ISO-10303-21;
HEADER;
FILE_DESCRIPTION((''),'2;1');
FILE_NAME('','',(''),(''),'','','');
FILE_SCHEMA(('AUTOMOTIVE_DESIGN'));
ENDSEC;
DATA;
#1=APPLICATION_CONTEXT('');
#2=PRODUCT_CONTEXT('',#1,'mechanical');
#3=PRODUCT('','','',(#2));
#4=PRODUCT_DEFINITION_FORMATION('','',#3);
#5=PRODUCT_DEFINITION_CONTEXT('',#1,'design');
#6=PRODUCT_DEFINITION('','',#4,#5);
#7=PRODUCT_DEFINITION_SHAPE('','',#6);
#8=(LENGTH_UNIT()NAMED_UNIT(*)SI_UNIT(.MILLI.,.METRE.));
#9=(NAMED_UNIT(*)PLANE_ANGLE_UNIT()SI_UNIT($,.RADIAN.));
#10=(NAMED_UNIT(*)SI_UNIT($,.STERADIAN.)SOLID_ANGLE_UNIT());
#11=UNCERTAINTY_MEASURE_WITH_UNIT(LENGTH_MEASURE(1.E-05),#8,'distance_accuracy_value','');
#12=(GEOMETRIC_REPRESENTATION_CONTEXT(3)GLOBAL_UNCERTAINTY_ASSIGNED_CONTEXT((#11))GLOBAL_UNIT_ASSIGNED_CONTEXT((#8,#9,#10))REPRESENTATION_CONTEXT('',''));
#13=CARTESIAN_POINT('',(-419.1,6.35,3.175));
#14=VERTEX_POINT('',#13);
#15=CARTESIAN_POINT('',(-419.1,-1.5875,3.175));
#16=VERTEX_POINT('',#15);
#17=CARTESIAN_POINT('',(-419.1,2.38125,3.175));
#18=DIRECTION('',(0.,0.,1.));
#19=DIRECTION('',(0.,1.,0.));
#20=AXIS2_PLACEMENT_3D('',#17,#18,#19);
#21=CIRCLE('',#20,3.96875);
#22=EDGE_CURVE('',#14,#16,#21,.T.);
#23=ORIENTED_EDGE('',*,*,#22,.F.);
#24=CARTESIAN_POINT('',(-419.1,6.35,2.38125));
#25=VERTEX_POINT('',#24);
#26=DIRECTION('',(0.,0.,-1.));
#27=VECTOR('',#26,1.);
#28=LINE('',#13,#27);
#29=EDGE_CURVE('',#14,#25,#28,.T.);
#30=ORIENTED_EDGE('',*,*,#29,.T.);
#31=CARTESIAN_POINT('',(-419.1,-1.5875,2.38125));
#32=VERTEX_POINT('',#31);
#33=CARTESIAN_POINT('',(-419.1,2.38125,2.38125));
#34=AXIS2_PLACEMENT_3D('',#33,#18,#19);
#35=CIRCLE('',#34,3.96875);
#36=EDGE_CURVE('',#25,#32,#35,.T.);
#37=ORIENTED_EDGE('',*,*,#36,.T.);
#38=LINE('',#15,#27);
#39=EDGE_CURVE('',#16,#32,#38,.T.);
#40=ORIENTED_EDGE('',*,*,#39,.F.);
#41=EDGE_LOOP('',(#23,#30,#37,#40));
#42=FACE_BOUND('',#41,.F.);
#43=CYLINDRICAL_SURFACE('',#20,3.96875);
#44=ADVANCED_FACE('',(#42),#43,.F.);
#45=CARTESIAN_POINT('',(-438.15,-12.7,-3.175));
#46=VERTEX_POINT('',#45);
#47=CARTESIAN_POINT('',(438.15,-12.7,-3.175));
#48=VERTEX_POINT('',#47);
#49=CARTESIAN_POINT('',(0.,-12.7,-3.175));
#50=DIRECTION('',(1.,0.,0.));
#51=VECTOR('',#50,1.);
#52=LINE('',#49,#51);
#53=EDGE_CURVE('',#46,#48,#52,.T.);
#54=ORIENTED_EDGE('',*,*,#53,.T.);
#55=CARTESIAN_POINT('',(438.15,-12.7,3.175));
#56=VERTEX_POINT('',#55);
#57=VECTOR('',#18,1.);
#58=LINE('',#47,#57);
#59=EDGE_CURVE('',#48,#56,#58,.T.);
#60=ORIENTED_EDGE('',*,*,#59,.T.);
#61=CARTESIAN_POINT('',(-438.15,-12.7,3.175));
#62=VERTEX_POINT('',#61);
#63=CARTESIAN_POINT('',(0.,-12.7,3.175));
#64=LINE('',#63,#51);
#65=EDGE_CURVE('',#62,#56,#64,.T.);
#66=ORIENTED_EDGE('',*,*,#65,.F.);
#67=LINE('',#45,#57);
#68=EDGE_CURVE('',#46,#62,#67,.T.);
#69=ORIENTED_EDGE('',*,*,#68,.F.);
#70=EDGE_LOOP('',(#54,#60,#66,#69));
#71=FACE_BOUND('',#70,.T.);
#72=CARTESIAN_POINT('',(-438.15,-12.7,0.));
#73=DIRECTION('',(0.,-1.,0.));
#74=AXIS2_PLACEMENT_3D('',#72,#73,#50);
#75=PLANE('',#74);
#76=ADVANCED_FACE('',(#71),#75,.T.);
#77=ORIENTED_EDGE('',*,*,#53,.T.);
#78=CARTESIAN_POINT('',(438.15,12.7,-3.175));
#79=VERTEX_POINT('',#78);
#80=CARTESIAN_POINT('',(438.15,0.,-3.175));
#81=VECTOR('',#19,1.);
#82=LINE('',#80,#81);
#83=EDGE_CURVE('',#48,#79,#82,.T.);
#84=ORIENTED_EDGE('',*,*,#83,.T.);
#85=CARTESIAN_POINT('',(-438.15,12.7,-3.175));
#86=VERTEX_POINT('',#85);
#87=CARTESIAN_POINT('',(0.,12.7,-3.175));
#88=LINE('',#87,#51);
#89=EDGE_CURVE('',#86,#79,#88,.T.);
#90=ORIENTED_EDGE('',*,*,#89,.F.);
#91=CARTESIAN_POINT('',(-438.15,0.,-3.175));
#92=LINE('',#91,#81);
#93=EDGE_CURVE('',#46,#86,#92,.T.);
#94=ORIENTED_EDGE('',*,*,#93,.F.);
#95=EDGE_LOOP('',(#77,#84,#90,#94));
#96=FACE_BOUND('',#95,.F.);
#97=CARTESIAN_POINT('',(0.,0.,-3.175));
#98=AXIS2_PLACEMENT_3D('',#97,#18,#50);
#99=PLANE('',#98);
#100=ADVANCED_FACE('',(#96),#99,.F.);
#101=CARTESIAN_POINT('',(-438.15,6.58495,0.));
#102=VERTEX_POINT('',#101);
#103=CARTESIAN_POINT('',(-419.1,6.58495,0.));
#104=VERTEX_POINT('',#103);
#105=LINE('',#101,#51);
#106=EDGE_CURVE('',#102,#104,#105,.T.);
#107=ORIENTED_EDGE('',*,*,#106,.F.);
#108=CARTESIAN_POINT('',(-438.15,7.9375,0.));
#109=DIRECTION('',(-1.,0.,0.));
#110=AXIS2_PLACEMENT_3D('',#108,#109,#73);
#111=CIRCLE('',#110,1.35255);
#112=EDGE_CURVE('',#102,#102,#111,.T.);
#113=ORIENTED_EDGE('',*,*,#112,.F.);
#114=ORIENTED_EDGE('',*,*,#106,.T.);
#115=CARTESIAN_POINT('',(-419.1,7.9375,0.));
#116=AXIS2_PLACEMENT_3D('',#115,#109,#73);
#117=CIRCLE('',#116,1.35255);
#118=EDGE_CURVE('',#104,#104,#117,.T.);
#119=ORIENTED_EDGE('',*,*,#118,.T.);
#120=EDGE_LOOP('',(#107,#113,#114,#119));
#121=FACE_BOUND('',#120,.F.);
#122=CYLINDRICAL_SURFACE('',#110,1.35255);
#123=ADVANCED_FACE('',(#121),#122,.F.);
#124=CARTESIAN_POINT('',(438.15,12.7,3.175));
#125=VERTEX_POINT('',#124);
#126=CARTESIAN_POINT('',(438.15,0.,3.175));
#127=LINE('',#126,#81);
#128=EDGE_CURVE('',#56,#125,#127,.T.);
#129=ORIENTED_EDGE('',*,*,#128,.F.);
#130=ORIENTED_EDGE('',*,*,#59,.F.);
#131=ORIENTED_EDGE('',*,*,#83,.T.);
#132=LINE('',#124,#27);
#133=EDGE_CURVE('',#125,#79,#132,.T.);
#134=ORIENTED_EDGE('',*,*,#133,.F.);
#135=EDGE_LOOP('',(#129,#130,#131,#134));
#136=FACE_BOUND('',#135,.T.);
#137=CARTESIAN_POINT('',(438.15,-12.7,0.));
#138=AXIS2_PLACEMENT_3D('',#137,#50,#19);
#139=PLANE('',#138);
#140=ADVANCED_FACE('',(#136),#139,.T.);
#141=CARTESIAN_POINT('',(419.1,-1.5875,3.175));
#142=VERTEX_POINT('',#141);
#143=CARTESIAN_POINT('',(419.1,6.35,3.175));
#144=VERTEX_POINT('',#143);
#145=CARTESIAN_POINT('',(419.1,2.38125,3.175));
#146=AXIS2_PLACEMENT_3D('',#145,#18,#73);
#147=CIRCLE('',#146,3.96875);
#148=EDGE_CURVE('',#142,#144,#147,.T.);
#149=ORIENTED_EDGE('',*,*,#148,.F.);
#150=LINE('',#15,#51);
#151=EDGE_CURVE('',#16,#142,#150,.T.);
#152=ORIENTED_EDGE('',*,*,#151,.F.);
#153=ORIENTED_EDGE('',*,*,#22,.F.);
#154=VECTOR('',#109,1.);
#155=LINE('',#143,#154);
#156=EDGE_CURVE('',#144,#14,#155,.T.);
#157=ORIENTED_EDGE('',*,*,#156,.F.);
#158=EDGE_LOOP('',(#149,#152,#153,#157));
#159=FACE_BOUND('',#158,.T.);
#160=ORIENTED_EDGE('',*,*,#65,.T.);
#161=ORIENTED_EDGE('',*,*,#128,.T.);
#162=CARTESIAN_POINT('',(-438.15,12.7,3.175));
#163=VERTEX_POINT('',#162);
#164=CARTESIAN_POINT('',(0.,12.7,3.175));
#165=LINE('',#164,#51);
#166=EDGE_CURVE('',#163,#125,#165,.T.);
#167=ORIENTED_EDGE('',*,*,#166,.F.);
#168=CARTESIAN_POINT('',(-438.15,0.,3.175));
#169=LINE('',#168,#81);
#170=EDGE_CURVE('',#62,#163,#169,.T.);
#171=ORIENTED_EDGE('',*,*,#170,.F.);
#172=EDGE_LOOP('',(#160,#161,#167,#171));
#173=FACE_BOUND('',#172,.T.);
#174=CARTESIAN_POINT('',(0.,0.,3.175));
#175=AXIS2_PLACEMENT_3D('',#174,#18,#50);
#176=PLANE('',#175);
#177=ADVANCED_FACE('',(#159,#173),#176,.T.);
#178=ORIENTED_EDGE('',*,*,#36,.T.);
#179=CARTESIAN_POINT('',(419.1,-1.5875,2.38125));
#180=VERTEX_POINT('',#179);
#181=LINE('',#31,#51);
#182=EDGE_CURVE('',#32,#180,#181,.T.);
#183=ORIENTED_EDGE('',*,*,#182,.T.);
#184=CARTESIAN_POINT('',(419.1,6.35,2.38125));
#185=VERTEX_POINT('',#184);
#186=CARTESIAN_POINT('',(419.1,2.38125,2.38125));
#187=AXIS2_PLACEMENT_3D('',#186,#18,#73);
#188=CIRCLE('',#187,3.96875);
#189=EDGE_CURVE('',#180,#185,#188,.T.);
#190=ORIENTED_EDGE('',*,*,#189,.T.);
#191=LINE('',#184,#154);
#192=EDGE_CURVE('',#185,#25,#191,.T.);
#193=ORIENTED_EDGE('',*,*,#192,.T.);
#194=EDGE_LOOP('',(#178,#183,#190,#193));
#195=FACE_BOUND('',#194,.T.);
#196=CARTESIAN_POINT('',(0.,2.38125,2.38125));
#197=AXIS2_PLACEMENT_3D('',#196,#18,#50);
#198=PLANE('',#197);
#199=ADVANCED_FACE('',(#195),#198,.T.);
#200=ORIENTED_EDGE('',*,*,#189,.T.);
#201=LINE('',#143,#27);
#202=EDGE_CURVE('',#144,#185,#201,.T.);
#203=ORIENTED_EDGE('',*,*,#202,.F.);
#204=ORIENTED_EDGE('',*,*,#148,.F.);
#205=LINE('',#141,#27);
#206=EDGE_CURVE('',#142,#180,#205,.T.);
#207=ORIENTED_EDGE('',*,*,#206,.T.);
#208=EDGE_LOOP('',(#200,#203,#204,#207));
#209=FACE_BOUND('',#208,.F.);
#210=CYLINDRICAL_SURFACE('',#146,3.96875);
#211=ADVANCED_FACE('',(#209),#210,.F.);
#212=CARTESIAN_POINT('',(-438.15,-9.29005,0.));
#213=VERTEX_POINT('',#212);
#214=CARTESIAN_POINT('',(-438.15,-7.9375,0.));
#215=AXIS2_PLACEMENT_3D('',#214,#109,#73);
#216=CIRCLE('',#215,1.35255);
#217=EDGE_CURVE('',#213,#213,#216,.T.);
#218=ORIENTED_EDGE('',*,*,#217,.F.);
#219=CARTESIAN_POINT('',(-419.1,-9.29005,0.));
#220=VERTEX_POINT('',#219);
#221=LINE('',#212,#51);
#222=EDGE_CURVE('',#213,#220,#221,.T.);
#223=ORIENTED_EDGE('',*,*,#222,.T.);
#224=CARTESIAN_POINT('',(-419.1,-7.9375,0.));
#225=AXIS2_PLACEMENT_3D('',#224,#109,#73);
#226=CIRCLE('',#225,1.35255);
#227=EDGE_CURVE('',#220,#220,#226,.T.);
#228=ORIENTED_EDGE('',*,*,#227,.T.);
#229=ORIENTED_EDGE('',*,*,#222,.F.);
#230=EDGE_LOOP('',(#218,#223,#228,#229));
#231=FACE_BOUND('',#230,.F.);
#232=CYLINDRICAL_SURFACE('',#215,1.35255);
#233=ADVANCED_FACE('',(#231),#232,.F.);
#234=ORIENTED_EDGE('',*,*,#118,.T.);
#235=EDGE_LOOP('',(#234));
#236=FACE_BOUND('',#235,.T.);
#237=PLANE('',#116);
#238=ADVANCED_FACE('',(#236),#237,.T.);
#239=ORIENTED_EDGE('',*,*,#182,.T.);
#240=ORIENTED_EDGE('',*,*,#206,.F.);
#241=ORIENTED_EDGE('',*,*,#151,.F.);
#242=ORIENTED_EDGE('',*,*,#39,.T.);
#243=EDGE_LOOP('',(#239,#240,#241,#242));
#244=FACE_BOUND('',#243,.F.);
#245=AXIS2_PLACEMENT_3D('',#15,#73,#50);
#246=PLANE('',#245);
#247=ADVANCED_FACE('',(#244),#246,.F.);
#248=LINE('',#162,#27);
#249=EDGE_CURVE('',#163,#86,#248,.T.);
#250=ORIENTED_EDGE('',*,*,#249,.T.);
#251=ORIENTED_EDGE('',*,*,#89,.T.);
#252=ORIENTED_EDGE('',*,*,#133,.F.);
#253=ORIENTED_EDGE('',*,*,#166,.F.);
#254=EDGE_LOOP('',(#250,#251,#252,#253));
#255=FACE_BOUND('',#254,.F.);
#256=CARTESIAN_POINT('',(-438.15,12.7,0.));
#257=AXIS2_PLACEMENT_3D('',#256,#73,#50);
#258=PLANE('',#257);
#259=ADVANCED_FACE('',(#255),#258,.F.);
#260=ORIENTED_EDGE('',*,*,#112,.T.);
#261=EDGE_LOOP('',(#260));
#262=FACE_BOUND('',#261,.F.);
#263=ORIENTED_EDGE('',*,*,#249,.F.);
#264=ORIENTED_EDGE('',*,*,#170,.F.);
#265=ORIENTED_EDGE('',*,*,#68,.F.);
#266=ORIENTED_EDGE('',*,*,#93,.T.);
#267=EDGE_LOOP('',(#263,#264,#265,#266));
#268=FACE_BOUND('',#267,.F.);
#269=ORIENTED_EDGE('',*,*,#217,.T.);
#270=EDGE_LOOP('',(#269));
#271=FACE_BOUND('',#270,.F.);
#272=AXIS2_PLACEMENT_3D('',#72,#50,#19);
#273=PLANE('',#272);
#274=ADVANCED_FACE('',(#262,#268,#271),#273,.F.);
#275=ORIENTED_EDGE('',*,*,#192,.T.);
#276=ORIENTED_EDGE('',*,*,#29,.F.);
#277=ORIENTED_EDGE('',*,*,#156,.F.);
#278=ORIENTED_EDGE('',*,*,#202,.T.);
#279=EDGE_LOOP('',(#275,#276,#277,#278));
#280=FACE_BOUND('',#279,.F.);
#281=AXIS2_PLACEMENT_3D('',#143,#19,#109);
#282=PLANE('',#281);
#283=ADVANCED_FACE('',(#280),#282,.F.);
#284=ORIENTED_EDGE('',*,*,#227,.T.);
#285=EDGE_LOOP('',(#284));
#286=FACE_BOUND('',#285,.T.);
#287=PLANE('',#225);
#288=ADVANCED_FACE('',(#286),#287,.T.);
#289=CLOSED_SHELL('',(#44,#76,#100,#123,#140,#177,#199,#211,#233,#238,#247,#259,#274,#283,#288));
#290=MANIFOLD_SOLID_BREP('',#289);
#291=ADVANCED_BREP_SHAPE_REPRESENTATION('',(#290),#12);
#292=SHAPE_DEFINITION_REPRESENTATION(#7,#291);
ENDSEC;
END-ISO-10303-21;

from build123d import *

# Parameters (mm, degrees)
F0_W     = 876.3
F0_H     = 25.4
F1_DEPTH = 3.175
F2_R     = 1.35255
F3_DEPTH = 19.05
F5_DEPTH = 0.79375


with BuildPart() as f1:
    # F0 (on Top) → F1 (new body, symmetric)
    with BuildSketch(Plane.XY):
        Rectangle(F0_W, F0_H)
    extrude(amount=F1_DEPTH, both=True)

    # F2 (on face) → F3 (cut)
    with BuildSketch(Plane(origin=(-438.15, 0, 0), x_dir=(0, -1, 0), z_dir=(-1, 0, 0))):
        with Locations((-7.9375, 0)):
            Circle(F2_R)
        with Locations((7.9375, 0)):
            Circle(F2_R)
    extrude(amount=-F3_DEPTH, mode=Mode.SUBTRACT)

    # F4 (on face) → F5 (cut)
    with BuildSketch(Plane.XY.offset(3.175)):
        with BuildLine():
            Line((-419.1, -1.5875), (419.1, -1.5875))
            ThreePointArc((419.1, -1.5875), (423.06875, 2.38125), (419.1, 6.35))
            Line((419.1, 6.35), (-419.1, 6.35))
            ThreePointArc((-419.1, 6.35), (-423.06875, 2.38125), (-419.1, -1.5875))
        make_face()
    extrude(amount=-F5_DEPTH, mode=Mode.SUBTRACT)


solid = f1.part
